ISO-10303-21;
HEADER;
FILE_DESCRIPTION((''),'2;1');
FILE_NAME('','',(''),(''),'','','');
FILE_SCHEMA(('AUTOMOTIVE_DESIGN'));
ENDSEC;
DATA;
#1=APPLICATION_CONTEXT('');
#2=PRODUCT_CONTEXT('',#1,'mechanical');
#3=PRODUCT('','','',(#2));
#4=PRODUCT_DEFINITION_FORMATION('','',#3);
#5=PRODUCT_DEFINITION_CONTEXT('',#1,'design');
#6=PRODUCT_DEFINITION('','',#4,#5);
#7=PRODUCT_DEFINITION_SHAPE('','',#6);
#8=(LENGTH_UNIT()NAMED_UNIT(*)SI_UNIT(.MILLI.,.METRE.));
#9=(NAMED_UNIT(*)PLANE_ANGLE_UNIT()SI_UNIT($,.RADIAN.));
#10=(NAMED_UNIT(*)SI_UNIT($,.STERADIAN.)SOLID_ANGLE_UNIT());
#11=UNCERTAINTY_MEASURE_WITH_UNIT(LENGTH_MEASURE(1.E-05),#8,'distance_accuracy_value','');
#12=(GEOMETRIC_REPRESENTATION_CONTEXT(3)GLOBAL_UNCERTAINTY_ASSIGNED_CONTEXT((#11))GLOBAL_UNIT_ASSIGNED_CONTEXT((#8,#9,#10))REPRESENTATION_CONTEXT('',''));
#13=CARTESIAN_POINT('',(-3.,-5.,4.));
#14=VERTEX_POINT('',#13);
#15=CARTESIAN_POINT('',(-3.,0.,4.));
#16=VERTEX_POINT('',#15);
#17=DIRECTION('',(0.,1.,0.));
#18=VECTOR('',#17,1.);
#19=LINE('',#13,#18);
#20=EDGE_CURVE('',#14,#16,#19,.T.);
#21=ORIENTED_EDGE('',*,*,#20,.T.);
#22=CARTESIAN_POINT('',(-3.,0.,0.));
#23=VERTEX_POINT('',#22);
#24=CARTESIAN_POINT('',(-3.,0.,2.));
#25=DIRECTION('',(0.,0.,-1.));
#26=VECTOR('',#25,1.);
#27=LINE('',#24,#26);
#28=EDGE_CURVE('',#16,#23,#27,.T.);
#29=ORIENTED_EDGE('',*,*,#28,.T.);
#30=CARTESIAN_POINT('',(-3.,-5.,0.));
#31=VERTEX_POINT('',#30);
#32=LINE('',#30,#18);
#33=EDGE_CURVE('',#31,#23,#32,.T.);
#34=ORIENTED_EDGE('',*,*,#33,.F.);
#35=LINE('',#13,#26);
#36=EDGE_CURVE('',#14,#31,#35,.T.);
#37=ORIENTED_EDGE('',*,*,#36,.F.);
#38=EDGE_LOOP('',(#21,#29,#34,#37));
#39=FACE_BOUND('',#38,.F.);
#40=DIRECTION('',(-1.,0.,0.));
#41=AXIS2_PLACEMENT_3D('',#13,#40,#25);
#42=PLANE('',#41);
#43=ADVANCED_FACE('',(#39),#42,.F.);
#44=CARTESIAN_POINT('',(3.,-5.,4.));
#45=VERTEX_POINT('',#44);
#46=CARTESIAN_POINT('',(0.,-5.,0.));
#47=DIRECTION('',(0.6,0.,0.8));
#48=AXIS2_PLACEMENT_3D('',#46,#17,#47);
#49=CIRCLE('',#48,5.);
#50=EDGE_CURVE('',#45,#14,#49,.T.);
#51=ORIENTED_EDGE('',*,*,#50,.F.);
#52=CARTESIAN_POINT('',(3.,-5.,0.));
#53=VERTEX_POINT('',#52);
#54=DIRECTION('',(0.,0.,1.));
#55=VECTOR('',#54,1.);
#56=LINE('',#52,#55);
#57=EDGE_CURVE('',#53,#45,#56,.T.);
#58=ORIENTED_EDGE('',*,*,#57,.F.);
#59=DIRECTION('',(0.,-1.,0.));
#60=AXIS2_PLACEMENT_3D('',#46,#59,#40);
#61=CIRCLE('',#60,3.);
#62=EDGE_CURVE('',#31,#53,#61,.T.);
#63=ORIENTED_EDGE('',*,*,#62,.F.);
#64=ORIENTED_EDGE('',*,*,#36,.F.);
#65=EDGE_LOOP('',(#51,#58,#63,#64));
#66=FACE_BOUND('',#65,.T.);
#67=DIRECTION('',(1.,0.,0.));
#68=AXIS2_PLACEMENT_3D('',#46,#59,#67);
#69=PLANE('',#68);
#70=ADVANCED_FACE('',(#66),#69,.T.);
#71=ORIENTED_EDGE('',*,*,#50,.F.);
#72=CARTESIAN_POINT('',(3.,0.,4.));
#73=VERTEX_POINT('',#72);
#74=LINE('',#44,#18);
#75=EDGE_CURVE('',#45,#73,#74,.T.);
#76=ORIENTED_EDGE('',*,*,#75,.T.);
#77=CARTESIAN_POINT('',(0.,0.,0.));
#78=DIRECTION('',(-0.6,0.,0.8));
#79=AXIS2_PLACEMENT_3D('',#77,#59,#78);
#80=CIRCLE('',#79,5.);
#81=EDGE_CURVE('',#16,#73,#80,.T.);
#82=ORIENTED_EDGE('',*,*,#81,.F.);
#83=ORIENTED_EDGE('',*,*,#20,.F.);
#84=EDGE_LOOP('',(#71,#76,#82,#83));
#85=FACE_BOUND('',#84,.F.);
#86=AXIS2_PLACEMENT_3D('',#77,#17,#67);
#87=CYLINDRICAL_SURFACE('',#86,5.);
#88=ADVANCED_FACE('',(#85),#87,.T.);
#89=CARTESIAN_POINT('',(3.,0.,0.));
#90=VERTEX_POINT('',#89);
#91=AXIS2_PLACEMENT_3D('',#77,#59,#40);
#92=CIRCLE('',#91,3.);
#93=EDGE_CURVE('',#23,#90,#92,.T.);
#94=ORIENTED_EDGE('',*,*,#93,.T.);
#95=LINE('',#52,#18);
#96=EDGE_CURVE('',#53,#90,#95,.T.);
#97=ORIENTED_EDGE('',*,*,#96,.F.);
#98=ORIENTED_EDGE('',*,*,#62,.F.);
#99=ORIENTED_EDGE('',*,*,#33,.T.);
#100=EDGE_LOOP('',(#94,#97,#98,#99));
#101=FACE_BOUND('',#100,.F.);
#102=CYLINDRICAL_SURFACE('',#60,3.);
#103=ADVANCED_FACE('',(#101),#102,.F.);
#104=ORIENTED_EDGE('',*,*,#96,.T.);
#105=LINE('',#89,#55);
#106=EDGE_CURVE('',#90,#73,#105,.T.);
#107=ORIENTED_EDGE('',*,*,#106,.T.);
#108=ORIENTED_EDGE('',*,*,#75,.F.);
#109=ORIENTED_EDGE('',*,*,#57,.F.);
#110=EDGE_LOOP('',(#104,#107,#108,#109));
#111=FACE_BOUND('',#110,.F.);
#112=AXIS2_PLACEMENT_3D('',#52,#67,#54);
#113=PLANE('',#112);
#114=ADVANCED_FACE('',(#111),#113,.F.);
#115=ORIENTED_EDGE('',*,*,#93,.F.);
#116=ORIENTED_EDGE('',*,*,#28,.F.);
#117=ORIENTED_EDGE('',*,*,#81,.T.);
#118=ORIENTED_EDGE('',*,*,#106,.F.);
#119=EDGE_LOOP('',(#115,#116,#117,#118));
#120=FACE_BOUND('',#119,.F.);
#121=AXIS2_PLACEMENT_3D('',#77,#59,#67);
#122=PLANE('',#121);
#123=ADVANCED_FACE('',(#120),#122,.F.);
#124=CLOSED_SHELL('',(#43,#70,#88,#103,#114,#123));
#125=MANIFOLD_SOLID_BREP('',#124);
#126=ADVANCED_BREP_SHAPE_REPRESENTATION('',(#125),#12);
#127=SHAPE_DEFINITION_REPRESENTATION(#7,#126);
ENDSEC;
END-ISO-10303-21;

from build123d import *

# Parameters (mm, degrees)
F0_R     = 5
F1_DEPTH = 5
F3_DEPTH = 5.001


with BuildPart() as f1:
    # F0 (on Front) → F1 (new body)
    with BuildSketch(Plane.XZ):
        Circle(F0_R)
    extrude(amount=F1_DEPTH)

    # F2 (on face) → F3 (cut, through all)
    with BuildSketch(Plane.XZ.offset(5)):
        with BuildLine():
            Line((-3, 0), (3, 0))
            Line((3, 0), (3, 4))
            ThreePointArc((3, 4), (0, 5), (-3, 4))
            Line((-3, 4), (-3, 0))
        make_face()
        with BuildLine():
            ThreePointArc((-3, 0), (0, -3), (3, 0))
            Line((3, 0), (-3, 0))
        make_face()
    extrude(amount=-F3_DEPTH, mode=Mode.SUBTRACT)


solid = f1.part
